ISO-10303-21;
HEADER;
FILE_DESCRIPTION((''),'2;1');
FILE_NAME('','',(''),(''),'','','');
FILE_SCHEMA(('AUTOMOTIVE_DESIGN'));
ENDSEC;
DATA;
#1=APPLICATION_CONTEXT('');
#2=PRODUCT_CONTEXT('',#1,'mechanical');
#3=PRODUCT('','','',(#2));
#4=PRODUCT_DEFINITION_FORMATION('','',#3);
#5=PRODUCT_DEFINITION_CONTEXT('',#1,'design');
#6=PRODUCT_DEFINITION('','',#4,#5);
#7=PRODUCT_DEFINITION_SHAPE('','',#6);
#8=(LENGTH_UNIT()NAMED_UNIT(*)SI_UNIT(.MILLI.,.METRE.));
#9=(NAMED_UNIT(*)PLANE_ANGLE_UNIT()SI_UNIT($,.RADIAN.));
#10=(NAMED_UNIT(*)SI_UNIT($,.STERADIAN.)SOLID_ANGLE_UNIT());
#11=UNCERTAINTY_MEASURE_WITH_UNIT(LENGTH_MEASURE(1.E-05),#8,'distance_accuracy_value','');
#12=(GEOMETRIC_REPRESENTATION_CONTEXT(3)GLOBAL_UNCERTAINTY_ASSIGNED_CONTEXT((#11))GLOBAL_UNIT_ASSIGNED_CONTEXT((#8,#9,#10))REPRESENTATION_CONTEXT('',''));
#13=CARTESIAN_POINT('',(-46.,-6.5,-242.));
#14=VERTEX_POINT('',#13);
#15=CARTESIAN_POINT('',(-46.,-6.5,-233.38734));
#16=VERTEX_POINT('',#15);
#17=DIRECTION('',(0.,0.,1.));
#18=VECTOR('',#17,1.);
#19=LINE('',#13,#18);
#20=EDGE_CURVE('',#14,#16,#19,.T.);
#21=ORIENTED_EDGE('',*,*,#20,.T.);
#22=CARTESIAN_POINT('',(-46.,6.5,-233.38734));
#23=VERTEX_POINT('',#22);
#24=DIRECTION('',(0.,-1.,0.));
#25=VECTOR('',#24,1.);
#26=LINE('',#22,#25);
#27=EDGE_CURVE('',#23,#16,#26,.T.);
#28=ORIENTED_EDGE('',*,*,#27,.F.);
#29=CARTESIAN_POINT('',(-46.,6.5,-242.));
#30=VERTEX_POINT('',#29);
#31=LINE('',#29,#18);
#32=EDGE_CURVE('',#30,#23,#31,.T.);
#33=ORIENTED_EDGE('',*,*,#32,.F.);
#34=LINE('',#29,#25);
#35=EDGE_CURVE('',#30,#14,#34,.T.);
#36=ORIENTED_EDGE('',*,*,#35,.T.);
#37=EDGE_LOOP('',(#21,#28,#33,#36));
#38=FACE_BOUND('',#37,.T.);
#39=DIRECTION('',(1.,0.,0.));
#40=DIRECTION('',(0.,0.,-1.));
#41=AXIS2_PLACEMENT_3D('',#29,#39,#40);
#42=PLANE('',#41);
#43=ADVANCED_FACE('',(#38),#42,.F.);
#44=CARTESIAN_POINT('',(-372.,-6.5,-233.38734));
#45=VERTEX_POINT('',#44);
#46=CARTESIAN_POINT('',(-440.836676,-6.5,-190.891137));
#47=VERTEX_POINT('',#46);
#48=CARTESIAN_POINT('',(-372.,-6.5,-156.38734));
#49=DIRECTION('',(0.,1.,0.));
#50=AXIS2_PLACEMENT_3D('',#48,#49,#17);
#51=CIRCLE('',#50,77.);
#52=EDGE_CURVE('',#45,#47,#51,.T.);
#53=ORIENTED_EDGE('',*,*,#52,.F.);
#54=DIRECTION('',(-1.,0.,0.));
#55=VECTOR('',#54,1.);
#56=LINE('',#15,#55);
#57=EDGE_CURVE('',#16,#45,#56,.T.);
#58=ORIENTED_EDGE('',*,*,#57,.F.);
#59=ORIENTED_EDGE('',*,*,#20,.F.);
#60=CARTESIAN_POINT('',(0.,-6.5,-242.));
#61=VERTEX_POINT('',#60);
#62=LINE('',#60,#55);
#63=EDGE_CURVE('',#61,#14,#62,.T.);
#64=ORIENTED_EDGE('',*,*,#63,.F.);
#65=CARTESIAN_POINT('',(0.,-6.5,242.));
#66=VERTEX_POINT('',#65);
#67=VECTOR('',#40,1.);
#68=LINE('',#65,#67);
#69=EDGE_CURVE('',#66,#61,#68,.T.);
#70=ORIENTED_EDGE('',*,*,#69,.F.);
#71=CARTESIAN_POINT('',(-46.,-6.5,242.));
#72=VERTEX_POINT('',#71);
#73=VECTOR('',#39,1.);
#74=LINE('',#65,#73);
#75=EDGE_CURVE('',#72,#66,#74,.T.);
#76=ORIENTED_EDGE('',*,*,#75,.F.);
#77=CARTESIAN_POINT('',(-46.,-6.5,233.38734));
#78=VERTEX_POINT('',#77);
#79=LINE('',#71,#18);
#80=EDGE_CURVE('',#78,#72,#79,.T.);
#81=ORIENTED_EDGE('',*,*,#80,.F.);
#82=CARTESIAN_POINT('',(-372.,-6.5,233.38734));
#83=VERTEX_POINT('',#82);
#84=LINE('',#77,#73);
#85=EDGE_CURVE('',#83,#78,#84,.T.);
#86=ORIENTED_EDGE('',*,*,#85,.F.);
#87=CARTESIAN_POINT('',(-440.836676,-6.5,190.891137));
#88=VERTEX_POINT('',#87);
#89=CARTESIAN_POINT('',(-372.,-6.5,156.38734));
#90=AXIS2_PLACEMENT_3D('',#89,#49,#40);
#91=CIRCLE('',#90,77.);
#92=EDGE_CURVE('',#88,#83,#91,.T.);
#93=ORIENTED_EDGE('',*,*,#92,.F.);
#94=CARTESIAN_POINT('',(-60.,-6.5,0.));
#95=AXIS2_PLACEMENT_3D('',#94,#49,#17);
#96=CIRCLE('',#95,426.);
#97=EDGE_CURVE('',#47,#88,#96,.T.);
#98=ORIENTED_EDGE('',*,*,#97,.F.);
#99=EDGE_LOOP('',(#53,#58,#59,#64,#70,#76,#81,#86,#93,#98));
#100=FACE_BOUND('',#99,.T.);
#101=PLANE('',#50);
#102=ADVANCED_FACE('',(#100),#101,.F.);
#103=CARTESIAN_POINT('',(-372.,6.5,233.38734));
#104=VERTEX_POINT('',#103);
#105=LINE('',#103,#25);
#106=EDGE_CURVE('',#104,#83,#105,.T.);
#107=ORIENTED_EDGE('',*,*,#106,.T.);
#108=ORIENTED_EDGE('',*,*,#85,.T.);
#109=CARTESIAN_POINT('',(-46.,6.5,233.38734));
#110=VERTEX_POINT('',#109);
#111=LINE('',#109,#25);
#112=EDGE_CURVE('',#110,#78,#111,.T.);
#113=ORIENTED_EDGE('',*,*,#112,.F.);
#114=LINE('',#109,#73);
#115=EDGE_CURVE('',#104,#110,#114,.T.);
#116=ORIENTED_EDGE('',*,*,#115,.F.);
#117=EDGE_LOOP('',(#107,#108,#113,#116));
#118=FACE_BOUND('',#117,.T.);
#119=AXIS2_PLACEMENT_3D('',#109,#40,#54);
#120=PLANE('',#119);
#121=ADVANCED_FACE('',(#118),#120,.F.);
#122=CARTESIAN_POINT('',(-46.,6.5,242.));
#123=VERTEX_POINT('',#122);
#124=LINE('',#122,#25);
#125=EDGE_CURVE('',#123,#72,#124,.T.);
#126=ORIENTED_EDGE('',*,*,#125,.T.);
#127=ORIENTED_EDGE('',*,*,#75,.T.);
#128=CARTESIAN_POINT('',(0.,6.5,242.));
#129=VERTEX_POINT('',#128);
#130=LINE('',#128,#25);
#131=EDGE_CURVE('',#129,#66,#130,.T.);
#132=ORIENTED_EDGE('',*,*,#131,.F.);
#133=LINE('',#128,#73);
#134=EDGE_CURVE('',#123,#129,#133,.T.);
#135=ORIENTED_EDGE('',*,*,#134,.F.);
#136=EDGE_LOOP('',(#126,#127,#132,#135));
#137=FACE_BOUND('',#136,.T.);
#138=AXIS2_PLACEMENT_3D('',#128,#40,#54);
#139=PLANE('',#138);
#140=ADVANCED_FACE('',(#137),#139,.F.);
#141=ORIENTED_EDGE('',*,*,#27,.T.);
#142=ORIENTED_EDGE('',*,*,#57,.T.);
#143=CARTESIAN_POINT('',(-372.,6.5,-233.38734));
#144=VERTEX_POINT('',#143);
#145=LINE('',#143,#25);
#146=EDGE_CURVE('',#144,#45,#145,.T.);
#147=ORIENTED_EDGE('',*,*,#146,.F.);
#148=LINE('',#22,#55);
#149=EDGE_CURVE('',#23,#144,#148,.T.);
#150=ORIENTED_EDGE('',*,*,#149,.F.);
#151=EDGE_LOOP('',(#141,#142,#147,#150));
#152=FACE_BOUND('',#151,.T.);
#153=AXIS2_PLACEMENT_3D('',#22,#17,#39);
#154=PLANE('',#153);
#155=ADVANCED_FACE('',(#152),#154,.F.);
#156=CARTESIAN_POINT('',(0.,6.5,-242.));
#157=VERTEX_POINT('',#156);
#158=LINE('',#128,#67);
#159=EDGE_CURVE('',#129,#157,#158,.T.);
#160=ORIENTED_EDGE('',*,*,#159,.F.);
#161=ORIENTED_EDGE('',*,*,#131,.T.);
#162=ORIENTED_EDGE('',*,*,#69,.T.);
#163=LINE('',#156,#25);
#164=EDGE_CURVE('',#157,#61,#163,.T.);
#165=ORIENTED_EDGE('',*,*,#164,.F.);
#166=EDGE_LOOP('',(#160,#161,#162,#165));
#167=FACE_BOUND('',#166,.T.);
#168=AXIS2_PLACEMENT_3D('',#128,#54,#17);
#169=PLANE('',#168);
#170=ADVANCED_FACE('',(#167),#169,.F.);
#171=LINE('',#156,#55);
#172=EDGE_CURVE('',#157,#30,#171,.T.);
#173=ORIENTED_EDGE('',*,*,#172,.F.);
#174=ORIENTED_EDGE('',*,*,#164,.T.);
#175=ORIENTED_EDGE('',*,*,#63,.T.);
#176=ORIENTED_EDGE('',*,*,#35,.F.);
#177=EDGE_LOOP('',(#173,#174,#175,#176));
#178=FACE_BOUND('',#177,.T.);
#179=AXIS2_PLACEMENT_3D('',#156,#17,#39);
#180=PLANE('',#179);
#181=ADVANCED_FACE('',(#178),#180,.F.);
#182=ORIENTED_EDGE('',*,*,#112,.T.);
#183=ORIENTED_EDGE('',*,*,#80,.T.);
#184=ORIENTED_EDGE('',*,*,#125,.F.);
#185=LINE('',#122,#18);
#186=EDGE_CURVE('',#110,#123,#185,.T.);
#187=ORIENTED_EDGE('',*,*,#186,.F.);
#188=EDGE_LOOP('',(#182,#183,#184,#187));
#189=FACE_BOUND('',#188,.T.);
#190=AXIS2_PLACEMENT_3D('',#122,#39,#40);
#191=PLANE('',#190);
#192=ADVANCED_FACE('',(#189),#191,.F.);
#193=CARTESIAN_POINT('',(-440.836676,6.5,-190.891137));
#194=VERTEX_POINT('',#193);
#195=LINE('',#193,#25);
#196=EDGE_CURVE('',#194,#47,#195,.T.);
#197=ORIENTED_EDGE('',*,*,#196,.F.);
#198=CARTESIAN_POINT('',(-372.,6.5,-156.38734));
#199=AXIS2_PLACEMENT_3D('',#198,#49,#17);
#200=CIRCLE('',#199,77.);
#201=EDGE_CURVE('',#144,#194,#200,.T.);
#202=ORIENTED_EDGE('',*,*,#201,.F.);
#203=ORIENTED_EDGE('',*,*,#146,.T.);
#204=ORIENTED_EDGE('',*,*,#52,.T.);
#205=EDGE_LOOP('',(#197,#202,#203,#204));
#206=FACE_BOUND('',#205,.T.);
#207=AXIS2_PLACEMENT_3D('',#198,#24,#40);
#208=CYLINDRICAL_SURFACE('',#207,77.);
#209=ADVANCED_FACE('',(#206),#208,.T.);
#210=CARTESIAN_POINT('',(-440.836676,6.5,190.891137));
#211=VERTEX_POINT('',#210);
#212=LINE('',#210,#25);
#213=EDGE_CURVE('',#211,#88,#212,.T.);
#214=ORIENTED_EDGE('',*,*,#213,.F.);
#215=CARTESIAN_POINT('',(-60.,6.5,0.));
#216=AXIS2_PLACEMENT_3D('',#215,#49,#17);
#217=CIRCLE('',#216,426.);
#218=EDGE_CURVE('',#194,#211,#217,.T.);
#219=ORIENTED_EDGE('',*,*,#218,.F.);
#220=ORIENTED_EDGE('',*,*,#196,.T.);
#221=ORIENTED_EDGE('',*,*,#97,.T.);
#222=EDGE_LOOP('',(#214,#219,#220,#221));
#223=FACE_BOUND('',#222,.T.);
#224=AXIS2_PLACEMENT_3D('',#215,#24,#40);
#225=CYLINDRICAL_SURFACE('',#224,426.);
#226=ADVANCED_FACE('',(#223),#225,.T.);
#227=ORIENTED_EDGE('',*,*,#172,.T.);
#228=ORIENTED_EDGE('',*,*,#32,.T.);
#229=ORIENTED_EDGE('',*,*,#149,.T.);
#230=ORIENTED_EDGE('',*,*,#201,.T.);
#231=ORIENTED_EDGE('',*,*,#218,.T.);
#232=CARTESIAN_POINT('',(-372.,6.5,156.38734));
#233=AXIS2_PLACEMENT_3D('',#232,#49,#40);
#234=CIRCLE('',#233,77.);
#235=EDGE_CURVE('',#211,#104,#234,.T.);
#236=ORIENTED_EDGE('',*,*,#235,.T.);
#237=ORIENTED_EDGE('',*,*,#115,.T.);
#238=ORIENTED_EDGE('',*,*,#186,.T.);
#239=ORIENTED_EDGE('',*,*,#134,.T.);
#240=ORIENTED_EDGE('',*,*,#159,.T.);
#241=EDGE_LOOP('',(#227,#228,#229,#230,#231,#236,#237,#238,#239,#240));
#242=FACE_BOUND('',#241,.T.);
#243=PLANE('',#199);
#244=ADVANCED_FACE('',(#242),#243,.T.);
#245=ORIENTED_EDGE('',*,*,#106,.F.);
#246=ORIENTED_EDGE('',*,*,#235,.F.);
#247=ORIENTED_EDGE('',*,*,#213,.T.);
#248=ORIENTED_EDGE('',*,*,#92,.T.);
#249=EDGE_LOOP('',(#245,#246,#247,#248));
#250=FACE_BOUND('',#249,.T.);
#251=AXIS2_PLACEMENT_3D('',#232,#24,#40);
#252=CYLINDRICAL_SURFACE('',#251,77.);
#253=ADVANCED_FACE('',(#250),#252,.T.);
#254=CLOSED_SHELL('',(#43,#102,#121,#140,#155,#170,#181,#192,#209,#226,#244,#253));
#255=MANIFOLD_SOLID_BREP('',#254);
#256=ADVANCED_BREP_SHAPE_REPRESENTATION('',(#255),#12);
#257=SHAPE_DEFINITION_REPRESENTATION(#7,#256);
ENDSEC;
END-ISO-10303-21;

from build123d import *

# Parameters (mm, degrees)
BOSS_EXTRUDE1_DEPTH = 6.5


with BuildPart() as part:
    # Sketch1 → Boss-Extrude1 (new body, symmetric)
    with BuildSketch(Plane(origin=(0, 0, 0), x_dir=(1, 0, 0), z_dir=(0, 1, 0))):
        with BuildLine():
            Line((0, -242), (0, 242))
            Line((0, 242), (-46, 242))
            Line((-46, 242), (-46, 233.387339641))
            Line((-46, 233.387339641), (-372, 233.387339641))
            ThreePointArc((-372, 233.387339641), (-412.448780149, 221.907536408), (-440.836676218, 190.891136639))
            ThreePointArc((-440.836676218, 190.891136639), (-486, 0), (-440.836676218, -190.891136639))
            ThreePointArc((-440.836676218, -190.891136639), (-412.448780149, -221.907536408), (-372, -233.387339641))
            Line((-372, -233.387339641), (-46, -233.387339641))
            Line((-46, -233.387339641), (-46, -242))
            Line((-46, -242), (0, -242))
        make_face()
    extrude(amount=BOSS_EXTRUDE1_DEPTH, both=True)


solid = part.part
